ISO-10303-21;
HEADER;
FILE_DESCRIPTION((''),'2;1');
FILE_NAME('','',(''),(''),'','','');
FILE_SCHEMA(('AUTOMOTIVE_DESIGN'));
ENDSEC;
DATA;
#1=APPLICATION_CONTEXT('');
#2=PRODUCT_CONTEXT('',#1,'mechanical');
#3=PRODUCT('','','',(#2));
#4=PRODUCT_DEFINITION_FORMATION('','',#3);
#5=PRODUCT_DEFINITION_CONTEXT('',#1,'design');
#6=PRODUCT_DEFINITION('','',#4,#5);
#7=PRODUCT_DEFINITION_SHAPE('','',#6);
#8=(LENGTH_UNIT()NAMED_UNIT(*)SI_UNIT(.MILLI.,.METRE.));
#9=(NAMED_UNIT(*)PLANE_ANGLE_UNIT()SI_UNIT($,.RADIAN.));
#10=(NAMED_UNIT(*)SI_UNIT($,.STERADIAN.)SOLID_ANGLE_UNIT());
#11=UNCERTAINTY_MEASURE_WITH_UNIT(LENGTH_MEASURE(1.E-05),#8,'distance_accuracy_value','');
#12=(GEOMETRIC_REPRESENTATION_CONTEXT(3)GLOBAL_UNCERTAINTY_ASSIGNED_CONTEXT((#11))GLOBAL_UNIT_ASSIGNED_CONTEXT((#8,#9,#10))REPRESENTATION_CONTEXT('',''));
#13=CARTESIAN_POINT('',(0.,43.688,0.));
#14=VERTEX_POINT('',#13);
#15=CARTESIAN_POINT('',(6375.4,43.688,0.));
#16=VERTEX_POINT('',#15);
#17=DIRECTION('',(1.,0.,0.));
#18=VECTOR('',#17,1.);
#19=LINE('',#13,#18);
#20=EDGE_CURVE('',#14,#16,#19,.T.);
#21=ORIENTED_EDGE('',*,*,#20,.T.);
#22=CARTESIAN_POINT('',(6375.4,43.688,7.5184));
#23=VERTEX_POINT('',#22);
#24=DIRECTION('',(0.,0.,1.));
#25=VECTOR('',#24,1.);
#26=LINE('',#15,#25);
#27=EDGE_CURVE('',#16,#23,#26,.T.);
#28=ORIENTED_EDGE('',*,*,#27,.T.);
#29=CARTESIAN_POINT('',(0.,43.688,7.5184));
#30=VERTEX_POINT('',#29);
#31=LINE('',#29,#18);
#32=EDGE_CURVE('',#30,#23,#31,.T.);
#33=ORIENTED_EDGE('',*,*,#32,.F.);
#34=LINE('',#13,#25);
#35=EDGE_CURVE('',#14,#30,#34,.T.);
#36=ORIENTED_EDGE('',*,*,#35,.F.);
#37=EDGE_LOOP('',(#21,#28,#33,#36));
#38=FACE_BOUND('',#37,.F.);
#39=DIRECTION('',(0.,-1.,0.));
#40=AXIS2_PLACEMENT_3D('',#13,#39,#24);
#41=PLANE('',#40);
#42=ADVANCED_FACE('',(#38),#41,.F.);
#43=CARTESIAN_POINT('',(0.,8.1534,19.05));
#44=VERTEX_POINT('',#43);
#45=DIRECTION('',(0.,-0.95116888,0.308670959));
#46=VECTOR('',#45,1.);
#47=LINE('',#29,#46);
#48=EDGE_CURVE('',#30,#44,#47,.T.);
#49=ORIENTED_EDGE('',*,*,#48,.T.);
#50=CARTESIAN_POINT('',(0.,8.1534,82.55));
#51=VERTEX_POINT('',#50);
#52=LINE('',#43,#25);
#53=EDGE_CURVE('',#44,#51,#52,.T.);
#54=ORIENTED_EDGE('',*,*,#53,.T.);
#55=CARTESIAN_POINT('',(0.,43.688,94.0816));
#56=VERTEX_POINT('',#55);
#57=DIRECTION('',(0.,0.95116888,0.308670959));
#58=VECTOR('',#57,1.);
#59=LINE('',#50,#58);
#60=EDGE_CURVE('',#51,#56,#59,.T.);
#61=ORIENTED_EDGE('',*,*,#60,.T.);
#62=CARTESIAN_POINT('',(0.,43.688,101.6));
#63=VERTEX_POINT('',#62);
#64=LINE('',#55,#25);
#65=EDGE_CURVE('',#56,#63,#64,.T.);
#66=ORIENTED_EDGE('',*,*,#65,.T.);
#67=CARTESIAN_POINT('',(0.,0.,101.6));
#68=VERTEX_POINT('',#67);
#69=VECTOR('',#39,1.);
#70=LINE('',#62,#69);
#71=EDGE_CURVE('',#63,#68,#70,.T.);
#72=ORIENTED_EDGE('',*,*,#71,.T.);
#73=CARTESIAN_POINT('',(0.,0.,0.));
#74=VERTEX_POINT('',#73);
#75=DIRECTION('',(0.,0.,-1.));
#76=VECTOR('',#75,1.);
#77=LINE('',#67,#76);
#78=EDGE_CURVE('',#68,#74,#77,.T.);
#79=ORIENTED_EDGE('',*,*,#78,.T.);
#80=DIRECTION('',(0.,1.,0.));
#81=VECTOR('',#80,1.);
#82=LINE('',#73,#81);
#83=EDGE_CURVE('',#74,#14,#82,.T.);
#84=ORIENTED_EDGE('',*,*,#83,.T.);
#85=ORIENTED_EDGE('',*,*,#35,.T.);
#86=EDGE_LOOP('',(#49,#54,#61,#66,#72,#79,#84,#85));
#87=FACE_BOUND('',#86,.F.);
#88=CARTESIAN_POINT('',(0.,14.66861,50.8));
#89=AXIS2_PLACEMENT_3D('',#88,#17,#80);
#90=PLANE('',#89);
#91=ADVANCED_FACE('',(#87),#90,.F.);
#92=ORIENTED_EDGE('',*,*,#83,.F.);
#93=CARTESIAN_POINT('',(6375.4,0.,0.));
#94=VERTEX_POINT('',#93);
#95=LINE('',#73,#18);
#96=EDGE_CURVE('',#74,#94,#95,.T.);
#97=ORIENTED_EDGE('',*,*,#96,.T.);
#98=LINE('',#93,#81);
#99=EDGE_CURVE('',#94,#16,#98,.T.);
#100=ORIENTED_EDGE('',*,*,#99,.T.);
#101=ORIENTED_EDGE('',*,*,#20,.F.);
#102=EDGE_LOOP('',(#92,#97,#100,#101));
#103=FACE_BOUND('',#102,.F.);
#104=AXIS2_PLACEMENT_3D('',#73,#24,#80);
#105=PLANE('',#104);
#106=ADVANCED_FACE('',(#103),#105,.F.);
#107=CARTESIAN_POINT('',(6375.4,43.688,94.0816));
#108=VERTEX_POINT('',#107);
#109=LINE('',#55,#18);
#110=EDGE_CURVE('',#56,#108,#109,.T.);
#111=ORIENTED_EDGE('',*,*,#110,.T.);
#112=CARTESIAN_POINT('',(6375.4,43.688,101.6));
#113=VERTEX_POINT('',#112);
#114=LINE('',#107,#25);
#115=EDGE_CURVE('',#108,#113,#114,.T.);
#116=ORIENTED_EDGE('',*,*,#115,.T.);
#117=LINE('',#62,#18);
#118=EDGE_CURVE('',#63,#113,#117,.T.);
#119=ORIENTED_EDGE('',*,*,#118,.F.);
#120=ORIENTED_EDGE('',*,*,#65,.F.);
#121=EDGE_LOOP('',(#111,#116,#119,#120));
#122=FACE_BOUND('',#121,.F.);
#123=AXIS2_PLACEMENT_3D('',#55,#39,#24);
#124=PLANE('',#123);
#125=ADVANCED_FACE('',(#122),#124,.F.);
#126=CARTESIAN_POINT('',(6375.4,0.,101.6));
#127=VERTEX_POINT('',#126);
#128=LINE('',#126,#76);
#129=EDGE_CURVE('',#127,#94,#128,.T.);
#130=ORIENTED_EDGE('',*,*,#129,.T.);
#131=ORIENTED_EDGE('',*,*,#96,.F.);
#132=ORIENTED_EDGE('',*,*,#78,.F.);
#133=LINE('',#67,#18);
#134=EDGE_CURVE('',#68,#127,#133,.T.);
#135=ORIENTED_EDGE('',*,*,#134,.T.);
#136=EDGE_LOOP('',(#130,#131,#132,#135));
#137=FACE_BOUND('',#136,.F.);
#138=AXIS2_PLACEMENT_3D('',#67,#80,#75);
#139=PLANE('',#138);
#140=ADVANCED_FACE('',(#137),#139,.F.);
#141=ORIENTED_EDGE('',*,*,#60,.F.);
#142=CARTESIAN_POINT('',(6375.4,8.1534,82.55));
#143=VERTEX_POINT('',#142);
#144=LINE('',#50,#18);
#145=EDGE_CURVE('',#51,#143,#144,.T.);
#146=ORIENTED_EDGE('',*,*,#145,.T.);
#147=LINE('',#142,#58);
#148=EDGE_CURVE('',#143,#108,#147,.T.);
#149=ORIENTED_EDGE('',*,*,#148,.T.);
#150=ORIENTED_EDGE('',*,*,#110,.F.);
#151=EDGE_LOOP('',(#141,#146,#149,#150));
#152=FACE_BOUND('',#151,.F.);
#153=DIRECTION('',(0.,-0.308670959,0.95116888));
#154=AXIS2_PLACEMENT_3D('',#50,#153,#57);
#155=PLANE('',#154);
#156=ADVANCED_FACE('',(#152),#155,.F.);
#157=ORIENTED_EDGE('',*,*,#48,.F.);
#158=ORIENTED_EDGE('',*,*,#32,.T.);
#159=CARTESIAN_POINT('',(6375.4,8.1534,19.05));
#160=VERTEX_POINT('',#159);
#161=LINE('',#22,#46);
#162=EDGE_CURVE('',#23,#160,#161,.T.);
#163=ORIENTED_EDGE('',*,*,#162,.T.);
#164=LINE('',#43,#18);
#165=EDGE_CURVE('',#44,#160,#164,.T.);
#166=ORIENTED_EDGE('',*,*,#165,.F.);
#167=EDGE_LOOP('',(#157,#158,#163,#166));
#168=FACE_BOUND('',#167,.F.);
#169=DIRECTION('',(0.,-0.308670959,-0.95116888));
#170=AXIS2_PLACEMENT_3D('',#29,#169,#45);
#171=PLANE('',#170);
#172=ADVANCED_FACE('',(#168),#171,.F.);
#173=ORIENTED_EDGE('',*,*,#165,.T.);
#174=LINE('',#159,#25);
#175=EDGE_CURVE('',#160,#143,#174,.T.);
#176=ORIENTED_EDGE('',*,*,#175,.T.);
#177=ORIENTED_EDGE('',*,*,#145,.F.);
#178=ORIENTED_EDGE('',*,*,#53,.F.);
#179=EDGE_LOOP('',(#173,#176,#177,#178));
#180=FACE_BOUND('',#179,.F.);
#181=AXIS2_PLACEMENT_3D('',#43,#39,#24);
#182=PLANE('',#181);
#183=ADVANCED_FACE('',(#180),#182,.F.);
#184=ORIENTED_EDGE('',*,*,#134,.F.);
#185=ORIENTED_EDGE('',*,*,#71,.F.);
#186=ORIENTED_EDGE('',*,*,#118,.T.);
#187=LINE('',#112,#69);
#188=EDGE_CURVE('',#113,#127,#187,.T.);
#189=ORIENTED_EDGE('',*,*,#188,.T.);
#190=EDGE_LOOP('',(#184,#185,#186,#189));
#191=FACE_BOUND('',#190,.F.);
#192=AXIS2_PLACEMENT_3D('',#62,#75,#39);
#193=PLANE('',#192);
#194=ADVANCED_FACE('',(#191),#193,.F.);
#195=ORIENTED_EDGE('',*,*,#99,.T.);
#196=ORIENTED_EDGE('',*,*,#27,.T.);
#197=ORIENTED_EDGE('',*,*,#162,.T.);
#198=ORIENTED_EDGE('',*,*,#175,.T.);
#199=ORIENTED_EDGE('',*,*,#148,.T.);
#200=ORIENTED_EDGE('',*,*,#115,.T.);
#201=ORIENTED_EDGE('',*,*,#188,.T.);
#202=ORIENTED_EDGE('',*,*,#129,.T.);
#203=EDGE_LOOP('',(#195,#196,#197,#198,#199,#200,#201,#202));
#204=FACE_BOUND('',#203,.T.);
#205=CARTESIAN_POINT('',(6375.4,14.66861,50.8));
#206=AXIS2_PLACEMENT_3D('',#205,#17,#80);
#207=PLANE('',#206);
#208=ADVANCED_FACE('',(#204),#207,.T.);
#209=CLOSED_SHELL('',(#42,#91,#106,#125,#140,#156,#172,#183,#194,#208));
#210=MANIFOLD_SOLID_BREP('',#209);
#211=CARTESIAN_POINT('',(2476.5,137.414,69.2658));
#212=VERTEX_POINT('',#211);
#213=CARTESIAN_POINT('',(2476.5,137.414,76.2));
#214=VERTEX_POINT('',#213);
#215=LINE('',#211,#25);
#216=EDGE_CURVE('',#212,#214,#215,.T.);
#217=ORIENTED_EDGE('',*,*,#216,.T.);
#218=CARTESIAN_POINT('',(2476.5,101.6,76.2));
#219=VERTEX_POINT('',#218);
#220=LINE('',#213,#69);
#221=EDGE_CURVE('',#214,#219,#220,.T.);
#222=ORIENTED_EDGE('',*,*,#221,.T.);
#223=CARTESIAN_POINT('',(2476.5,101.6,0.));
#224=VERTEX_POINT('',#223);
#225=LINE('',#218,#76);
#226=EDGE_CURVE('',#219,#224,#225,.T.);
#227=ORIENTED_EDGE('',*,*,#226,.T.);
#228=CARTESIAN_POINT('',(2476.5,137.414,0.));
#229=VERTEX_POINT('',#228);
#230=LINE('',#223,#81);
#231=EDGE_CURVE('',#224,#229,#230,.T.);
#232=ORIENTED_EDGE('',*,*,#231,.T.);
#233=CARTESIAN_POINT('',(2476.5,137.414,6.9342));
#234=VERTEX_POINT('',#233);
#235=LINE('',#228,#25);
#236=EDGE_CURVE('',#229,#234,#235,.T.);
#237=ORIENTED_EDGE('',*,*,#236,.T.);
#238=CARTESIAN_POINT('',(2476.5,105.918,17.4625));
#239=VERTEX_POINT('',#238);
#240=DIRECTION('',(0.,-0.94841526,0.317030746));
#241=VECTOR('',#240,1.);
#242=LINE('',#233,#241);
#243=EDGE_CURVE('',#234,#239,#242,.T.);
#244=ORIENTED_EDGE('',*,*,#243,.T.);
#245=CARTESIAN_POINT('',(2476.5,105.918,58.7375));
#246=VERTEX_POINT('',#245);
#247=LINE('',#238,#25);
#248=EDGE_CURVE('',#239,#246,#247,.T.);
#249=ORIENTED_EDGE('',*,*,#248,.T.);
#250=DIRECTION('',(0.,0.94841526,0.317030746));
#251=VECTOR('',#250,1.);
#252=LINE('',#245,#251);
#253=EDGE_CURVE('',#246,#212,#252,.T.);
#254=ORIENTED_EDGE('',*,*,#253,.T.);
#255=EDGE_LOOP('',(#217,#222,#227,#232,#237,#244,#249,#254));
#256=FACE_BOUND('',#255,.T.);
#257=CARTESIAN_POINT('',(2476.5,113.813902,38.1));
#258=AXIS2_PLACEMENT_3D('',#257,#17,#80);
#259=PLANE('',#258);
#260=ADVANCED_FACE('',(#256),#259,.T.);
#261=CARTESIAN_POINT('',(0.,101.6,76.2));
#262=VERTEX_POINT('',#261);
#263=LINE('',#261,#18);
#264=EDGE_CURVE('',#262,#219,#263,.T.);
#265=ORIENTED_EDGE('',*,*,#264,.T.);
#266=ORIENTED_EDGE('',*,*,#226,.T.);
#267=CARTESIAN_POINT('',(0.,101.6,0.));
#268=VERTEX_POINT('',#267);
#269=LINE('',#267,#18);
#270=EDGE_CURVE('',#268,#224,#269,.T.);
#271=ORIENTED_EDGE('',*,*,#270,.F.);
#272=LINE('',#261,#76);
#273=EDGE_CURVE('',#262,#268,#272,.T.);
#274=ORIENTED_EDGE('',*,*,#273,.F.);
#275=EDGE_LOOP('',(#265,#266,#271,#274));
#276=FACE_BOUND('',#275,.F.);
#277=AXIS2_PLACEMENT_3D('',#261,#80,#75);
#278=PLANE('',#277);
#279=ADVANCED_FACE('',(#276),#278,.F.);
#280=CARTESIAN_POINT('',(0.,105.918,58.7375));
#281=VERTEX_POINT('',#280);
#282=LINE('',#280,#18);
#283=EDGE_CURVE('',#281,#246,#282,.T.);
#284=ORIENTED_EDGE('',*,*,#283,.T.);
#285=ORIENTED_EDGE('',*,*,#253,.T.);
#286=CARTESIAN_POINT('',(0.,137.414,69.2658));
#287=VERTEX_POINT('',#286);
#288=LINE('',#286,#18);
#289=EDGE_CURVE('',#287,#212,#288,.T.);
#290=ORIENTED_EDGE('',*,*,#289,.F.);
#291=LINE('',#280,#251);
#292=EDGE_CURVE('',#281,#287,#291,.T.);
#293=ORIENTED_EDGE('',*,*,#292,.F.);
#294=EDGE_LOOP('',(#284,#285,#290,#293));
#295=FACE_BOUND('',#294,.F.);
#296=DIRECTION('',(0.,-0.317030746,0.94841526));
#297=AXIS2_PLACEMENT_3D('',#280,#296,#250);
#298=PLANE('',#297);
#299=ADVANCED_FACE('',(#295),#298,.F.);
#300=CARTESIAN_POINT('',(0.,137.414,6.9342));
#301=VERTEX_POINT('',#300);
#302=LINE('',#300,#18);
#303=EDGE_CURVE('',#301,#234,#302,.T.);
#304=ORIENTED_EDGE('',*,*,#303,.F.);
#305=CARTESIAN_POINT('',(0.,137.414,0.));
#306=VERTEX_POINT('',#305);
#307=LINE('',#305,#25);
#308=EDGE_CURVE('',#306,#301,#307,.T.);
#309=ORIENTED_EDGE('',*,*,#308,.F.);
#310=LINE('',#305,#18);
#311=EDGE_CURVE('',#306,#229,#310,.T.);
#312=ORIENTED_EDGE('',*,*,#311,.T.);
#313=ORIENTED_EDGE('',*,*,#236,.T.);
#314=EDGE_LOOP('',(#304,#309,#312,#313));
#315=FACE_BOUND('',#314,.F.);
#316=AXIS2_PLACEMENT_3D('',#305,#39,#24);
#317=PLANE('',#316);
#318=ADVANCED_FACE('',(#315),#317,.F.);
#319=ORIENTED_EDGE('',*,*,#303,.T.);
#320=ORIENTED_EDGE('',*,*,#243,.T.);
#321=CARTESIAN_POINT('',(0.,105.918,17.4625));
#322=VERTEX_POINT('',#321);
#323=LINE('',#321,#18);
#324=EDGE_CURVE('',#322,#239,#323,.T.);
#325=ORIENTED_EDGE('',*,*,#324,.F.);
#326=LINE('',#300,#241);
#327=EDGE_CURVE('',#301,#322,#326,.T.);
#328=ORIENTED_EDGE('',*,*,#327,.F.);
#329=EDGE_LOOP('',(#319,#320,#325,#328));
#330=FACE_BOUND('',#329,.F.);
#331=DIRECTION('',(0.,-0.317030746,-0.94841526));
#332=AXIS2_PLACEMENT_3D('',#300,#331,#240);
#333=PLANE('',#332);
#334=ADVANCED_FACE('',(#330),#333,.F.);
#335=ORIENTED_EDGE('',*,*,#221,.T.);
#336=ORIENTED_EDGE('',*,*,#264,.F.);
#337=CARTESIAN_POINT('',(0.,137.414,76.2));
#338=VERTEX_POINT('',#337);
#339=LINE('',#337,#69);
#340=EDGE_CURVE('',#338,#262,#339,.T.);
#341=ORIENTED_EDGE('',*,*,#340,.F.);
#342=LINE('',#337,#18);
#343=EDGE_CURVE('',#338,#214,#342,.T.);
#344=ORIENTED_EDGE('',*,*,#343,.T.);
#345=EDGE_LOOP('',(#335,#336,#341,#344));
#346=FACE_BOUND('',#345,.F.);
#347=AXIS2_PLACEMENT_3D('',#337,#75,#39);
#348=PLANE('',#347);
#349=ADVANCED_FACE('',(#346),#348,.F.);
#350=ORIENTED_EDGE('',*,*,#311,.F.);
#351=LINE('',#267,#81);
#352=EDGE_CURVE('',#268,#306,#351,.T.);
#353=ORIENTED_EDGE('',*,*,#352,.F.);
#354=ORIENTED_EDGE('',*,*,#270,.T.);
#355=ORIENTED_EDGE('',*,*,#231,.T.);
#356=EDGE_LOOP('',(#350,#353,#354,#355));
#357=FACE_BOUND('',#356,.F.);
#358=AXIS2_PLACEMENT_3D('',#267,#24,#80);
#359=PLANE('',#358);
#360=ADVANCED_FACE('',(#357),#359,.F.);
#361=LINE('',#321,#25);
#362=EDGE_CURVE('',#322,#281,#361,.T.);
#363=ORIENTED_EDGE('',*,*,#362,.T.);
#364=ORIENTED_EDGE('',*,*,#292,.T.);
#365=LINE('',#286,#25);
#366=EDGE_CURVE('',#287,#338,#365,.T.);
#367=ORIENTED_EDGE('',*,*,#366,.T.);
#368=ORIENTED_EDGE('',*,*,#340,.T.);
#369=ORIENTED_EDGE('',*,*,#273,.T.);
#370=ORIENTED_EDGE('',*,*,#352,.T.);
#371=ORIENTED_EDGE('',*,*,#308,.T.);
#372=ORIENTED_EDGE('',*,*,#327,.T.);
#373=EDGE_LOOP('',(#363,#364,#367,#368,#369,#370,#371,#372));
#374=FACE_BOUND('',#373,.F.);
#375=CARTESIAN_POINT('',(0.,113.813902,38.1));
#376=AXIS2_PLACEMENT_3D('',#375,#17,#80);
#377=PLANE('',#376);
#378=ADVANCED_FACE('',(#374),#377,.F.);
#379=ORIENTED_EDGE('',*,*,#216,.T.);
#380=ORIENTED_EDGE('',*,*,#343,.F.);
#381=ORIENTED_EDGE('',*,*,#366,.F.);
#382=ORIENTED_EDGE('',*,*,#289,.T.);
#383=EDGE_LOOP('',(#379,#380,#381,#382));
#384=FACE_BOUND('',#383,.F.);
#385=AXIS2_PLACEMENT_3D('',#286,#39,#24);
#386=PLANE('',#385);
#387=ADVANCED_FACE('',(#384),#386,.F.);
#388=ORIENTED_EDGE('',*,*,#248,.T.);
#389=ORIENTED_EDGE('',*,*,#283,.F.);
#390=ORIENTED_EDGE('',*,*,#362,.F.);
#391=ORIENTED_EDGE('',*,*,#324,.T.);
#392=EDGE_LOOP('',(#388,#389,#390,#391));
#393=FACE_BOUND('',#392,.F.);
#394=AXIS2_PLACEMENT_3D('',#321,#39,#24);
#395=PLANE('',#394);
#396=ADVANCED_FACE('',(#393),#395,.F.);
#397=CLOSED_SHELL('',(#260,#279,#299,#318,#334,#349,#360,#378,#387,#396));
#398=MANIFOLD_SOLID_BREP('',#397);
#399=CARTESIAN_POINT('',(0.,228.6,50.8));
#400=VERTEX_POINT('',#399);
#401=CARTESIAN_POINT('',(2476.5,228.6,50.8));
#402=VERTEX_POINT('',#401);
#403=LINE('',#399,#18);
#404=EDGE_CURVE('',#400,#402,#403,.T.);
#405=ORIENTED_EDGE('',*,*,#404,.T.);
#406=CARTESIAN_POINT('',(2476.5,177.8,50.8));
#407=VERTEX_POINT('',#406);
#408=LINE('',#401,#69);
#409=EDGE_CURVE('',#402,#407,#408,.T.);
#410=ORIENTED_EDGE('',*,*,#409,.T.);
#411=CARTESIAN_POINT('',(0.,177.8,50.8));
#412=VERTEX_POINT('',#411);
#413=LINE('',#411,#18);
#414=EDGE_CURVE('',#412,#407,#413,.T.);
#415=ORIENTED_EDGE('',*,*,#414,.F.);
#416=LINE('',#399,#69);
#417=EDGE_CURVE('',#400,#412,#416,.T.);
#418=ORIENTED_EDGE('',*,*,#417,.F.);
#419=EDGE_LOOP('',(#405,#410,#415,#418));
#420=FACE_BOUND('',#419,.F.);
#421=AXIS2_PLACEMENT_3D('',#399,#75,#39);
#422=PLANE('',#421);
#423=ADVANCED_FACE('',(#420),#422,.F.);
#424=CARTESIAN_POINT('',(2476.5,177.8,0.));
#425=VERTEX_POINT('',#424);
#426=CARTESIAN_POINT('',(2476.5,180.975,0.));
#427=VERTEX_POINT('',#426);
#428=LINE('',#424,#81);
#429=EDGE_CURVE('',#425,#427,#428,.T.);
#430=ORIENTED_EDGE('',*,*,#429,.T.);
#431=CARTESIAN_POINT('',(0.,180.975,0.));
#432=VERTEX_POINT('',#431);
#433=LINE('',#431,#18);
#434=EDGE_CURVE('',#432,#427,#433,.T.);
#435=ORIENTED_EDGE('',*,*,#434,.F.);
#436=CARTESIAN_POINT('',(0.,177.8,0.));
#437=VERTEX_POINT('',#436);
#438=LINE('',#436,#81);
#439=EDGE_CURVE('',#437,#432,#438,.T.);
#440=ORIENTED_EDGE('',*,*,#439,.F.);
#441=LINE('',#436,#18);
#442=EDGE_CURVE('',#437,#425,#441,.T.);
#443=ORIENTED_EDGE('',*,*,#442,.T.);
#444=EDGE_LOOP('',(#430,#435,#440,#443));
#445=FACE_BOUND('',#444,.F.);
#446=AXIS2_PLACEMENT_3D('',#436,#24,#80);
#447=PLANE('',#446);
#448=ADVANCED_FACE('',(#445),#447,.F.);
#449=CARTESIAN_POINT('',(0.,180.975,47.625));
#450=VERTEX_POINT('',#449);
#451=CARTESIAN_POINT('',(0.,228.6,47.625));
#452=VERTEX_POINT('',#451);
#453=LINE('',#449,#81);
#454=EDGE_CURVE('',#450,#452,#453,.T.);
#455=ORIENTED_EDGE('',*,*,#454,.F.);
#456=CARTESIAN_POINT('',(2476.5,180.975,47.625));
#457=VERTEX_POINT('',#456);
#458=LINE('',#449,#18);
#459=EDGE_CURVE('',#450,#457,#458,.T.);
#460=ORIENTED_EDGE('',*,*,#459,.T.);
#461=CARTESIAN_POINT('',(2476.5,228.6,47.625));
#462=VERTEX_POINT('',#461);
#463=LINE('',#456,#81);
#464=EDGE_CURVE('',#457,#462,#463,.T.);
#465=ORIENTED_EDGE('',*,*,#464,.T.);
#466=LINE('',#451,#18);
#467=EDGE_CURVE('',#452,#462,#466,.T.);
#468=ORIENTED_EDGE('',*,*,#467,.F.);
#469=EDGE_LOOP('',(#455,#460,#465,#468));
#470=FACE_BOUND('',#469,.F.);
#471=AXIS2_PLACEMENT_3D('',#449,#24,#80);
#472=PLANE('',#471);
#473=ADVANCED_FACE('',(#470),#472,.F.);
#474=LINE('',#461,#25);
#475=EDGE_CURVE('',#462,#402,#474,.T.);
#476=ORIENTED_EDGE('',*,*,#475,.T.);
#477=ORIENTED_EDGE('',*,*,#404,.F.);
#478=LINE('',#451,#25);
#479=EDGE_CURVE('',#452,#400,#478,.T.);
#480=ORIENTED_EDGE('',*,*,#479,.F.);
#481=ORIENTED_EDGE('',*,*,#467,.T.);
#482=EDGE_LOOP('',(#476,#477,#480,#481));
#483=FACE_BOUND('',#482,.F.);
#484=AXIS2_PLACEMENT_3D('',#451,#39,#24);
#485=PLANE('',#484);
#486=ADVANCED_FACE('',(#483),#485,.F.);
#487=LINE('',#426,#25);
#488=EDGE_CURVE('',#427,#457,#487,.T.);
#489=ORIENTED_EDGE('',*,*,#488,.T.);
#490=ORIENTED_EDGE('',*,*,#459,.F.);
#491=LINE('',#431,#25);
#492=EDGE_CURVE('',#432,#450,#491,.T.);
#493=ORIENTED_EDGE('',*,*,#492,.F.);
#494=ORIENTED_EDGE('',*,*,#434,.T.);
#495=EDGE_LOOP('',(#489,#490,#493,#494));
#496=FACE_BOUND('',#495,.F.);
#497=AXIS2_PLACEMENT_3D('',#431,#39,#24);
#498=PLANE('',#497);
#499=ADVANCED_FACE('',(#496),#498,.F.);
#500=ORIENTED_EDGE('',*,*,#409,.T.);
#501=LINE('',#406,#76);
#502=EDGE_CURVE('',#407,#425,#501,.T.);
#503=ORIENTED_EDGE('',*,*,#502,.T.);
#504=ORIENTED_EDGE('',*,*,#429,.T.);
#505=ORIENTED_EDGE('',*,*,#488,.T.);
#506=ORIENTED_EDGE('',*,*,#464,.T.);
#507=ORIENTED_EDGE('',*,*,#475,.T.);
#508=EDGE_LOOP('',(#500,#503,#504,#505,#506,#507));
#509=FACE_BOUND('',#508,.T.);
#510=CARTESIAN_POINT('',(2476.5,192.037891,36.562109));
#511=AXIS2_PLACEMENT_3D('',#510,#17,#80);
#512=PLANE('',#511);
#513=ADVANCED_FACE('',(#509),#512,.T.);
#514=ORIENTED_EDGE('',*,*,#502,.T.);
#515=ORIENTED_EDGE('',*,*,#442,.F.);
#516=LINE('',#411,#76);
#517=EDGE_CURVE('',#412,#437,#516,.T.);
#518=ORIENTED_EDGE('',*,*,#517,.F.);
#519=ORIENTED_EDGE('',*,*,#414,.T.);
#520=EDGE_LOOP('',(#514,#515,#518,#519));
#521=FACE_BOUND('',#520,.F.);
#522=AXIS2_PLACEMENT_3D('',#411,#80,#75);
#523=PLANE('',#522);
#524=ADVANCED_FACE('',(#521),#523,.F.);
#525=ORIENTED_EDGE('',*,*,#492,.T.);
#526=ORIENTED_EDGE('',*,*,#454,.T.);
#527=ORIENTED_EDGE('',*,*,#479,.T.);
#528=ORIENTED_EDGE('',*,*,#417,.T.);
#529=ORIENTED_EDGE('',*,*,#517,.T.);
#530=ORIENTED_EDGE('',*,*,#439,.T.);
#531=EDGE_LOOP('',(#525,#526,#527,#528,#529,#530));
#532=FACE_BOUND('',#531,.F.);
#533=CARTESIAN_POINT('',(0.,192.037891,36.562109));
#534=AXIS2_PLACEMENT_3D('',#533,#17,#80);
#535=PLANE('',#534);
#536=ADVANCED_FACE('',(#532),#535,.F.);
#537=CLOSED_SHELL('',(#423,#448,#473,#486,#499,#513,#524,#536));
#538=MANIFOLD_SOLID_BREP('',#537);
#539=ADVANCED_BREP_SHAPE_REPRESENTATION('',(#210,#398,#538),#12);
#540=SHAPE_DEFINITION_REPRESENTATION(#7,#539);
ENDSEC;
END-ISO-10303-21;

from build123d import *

# Parameters (mm, degrees)
F1_DEPTH = 6375.4
F2_DEPTH = 2476.5
F3_DEPTH = 2476.5


with BuildPart() as f1:
    # F0 (on Right) → F1 (new body)
    with BuildSketch(Plane.YZ):
        Polygon((0, 101.6), (0, 0), (43.688, 0), (43.688, 7.5184), (8.1534, 19.05), (8.1534, 82.55), (43.688, 94.0816), (43.688, 101.6), align=None)
    extrude(amount=F1_DEPTH)


with BuildPart() as f2:
    # F0 (on Right) → F2 (new body)
    with BuildSketch(Plane.YZ):
        Polygon((101.6, 76.2), (101.6, 0), (137.414, 0), (137.414, 6.9342), (105.918, 17.4625), (105.918, 58.7375), (137.414, 69.2658), (137.414, 76.2), align=None)
    extrude(amount=F2_DEPTH)


with BuildPart() as f3:
    # F0 (on Right) → F3 (new body)
    with BuildSketch(Plane.YZ):
        Polygon((177.8, 50.8), (177.8, 0), (180.975, 0), (180.975, 47.625), (228.6, 47.625), (228.6, 50.8), align=None)
    extrude(amount=F3_DEPTH)


solid = Compound([f1.part, f2.part, f3.part])
